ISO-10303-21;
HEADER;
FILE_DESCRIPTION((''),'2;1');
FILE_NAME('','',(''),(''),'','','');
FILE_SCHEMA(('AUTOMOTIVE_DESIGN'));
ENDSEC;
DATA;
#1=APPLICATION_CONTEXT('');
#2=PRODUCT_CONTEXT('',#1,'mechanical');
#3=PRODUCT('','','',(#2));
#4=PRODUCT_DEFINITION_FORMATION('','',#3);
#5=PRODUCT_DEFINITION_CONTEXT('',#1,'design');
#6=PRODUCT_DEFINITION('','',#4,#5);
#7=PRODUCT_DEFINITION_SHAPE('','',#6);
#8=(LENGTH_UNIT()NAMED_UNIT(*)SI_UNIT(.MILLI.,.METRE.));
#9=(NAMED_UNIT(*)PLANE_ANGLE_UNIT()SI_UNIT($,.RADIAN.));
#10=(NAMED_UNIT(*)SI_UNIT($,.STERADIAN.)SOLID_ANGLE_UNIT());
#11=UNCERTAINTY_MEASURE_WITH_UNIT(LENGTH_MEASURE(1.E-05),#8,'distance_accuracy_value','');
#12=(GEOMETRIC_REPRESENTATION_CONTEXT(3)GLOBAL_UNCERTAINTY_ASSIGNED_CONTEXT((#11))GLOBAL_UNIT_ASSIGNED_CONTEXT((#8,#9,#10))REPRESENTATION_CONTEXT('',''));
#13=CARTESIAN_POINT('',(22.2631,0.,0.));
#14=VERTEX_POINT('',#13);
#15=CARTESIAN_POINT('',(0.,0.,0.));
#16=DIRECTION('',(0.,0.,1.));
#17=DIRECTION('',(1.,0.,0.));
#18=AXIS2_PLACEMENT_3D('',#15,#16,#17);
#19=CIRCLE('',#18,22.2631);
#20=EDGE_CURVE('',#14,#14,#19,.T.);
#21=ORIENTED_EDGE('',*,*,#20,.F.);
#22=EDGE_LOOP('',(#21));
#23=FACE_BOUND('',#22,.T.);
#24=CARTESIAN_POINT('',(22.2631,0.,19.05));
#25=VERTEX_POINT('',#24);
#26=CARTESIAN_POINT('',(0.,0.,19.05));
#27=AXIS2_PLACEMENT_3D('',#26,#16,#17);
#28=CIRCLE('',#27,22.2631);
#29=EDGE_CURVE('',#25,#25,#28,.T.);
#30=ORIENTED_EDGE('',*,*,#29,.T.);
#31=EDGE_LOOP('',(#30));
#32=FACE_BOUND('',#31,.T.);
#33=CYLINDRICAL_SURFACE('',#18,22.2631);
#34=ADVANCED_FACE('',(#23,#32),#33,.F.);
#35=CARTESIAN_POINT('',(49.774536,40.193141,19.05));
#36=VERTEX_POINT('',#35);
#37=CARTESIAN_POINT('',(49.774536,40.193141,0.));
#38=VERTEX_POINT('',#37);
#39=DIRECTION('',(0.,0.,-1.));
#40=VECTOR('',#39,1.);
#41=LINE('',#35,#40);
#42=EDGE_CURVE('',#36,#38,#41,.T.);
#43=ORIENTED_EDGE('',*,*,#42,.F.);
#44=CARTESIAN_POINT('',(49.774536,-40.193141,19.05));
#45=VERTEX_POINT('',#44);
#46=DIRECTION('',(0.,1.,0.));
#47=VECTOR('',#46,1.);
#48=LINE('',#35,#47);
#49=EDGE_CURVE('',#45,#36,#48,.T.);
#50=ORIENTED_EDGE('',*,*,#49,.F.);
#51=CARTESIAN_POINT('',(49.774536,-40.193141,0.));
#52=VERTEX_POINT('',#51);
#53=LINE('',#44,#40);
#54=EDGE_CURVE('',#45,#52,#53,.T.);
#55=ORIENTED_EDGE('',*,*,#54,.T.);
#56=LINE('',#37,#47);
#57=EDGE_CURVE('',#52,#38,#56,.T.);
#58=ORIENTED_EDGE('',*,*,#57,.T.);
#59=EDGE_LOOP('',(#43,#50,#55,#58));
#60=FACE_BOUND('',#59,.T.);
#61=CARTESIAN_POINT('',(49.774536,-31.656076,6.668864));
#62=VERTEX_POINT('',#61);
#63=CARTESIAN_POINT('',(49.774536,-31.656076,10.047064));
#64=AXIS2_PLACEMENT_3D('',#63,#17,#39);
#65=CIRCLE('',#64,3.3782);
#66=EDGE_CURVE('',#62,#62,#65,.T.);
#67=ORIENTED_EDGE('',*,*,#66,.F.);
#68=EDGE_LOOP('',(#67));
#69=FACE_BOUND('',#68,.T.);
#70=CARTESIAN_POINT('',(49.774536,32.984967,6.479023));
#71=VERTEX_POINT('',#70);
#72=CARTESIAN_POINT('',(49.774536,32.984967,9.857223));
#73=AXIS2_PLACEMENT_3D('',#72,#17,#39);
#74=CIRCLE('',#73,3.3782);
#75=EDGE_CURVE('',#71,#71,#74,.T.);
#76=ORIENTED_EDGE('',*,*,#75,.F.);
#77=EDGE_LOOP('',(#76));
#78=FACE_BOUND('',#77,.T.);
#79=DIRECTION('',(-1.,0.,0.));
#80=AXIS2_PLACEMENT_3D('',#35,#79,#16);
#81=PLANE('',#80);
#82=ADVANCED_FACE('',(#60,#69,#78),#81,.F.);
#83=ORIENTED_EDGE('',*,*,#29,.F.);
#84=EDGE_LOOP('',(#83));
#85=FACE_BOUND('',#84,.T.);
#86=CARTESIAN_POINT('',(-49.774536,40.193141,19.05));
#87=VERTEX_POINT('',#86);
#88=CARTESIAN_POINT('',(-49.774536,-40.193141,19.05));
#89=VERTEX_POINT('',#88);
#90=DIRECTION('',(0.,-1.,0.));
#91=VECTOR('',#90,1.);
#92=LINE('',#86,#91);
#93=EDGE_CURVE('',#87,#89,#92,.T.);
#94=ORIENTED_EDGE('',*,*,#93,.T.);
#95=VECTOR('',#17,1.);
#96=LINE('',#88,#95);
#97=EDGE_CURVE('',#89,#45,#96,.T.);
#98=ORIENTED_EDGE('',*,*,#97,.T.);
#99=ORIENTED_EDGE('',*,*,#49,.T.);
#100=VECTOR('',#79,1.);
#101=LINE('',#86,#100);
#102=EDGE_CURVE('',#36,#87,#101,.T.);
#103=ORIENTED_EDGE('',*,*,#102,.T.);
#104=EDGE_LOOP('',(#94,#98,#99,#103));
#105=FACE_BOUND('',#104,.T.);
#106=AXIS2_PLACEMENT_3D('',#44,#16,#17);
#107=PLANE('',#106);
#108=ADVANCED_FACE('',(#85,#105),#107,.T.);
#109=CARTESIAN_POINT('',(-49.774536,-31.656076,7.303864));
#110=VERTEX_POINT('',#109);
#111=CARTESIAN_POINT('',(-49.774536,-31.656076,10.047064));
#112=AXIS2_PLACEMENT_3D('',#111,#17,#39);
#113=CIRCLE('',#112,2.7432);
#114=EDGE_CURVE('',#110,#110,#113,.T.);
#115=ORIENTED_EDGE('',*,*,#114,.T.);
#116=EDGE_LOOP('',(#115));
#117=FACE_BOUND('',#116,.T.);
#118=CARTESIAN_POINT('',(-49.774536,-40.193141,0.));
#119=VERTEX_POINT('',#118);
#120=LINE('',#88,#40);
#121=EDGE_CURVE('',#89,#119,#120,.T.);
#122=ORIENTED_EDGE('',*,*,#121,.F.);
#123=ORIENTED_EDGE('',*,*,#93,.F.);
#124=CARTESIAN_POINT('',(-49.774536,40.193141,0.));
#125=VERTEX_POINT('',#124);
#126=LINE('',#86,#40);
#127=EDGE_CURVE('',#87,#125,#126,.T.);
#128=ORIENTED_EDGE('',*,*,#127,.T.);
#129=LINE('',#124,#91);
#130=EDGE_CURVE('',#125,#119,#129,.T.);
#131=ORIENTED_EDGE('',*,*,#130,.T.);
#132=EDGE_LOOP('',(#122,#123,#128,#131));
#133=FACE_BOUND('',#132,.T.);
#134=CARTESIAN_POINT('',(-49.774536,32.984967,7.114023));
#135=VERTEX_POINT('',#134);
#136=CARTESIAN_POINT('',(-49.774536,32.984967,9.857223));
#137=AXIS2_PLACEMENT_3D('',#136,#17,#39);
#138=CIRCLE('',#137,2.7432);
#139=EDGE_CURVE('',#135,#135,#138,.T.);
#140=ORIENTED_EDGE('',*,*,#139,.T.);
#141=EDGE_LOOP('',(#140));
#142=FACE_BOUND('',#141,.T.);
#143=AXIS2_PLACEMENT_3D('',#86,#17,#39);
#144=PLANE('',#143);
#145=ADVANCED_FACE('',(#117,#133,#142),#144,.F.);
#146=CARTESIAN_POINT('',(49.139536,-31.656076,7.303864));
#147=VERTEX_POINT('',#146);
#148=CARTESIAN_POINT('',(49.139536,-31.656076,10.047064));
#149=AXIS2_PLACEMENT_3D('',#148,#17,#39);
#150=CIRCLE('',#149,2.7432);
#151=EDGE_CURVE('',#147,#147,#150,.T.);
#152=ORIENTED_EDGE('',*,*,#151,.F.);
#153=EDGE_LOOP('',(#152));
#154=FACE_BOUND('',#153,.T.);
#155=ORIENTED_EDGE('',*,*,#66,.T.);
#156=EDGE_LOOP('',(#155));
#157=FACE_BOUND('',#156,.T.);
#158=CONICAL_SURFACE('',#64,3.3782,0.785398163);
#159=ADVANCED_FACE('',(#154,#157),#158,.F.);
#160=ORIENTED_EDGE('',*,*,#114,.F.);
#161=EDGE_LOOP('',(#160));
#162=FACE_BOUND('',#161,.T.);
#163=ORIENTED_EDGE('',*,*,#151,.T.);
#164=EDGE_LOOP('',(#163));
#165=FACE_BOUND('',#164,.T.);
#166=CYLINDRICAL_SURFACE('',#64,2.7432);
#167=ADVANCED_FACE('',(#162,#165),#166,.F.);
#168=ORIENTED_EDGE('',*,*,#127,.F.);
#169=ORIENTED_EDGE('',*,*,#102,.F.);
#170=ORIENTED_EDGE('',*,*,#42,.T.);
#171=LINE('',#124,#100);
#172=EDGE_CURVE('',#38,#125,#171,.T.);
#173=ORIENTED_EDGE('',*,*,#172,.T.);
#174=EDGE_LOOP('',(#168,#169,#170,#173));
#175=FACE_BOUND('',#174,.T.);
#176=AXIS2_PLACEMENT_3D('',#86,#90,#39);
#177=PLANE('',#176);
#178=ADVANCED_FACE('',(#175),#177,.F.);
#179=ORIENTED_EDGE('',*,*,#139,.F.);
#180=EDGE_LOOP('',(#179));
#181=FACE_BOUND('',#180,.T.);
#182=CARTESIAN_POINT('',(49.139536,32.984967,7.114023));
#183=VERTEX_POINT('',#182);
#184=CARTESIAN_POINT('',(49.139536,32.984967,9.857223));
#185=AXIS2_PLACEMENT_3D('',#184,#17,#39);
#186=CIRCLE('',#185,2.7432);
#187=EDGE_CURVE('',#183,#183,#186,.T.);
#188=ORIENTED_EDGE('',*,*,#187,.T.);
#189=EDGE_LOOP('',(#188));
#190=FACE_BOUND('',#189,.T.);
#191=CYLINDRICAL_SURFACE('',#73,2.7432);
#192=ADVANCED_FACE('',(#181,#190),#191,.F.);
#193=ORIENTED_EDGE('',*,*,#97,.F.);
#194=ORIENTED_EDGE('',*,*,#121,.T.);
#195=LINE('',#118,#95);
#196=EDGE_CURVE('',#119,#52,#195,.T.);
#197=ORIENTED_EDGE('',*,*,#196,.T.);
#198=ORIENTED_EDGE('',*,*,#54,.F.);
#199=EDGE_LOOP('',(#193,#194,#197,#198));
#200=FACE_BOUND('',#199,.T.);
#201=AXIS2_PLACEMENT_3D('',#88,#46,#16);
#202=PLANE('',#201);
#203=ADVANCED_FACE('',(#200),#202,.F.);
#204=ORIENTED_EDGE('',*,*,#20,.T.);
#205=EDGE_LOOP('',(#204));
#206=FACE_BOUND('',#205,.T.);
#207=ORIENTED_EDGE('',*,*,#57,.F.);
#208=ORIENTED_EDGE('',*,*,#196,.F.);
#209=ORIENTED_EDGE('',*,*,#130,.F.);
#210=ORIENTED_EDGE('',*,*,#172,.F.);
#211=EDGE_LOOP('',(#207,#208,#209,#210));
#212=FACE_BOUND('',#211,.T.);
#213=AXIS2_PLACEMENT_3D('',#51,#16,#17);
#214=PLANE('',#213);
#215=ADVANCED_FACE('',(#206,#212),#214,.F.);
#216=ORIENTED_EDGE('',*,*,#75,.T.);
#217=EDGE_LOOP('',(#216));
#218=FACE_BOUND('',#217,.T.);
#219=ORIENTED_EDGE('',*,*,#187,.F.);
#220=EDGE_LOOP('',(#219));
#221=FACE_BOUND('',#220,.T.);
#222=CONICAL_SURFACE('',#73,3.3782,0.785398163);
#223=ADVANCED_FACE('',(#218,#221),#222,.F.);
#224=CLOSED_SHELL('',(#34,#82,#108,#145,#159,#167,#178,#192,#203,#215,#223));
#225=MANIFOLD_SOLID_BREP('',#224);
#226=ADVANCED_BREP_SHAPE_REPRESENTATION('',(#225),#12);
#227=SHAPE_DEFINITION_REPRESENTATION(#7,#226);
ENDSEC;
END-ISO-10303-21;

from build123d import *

# Parameters (mm, degrees)
SKETCH1_W                        = 99.549072562
SKETCH1_H                        = 80.386282086
EXTRUDE2_DEPTH                   = 19.05
SKETCH2_R                        = 22.2631
EXTRUDE3_DEPTH                   = 20.05
F_12_24_TAPPED_HOLE1_D           = 5.4864
F_12_24_TAPPED_HOLE1_CSINK_D     = 6.7564
F_12_24_TAPPED_HOLE1_CSINK_ANGLE = 90


with BuildPart() as part:
    # Sketch1 → Extrude2 (new body)
    with BuildSketch(Plane.XY):
        Rectangle(SKETCH1_W, SKETCH1_H)
    extrude(amount=EXTRUDE2_DEPTH)

    # Sketch2 → Extrude3 (cut, through all)
    with BuildSketch(Plane.XY.offset(19.05)):
        Circle(SKETCH2_R)
    extrude(amount=-EXTRUDE3_DEPTH, mode=Mode.SUBTRACT)

    # #12-24 Tapped Hole1 (through all)
    with Locations(Plane(origin=(49.774536281, 32.984966891, 9.857222688), x_dir=(0, 0, 1), z_dir=(1, 0, 0))):
        with Locations((0, 0), (0.189841536, 64.64104303)):
            CounterSinkHole(F_12_24_TAPPED_HOLE1_D / 2, F_12_24_TAPPED_HOLE1_CSINK_D / 2, counter_sink_angle=F_12_24_TAPPED_HOLE1_CSINK_ANGLE)


solid = part.part
